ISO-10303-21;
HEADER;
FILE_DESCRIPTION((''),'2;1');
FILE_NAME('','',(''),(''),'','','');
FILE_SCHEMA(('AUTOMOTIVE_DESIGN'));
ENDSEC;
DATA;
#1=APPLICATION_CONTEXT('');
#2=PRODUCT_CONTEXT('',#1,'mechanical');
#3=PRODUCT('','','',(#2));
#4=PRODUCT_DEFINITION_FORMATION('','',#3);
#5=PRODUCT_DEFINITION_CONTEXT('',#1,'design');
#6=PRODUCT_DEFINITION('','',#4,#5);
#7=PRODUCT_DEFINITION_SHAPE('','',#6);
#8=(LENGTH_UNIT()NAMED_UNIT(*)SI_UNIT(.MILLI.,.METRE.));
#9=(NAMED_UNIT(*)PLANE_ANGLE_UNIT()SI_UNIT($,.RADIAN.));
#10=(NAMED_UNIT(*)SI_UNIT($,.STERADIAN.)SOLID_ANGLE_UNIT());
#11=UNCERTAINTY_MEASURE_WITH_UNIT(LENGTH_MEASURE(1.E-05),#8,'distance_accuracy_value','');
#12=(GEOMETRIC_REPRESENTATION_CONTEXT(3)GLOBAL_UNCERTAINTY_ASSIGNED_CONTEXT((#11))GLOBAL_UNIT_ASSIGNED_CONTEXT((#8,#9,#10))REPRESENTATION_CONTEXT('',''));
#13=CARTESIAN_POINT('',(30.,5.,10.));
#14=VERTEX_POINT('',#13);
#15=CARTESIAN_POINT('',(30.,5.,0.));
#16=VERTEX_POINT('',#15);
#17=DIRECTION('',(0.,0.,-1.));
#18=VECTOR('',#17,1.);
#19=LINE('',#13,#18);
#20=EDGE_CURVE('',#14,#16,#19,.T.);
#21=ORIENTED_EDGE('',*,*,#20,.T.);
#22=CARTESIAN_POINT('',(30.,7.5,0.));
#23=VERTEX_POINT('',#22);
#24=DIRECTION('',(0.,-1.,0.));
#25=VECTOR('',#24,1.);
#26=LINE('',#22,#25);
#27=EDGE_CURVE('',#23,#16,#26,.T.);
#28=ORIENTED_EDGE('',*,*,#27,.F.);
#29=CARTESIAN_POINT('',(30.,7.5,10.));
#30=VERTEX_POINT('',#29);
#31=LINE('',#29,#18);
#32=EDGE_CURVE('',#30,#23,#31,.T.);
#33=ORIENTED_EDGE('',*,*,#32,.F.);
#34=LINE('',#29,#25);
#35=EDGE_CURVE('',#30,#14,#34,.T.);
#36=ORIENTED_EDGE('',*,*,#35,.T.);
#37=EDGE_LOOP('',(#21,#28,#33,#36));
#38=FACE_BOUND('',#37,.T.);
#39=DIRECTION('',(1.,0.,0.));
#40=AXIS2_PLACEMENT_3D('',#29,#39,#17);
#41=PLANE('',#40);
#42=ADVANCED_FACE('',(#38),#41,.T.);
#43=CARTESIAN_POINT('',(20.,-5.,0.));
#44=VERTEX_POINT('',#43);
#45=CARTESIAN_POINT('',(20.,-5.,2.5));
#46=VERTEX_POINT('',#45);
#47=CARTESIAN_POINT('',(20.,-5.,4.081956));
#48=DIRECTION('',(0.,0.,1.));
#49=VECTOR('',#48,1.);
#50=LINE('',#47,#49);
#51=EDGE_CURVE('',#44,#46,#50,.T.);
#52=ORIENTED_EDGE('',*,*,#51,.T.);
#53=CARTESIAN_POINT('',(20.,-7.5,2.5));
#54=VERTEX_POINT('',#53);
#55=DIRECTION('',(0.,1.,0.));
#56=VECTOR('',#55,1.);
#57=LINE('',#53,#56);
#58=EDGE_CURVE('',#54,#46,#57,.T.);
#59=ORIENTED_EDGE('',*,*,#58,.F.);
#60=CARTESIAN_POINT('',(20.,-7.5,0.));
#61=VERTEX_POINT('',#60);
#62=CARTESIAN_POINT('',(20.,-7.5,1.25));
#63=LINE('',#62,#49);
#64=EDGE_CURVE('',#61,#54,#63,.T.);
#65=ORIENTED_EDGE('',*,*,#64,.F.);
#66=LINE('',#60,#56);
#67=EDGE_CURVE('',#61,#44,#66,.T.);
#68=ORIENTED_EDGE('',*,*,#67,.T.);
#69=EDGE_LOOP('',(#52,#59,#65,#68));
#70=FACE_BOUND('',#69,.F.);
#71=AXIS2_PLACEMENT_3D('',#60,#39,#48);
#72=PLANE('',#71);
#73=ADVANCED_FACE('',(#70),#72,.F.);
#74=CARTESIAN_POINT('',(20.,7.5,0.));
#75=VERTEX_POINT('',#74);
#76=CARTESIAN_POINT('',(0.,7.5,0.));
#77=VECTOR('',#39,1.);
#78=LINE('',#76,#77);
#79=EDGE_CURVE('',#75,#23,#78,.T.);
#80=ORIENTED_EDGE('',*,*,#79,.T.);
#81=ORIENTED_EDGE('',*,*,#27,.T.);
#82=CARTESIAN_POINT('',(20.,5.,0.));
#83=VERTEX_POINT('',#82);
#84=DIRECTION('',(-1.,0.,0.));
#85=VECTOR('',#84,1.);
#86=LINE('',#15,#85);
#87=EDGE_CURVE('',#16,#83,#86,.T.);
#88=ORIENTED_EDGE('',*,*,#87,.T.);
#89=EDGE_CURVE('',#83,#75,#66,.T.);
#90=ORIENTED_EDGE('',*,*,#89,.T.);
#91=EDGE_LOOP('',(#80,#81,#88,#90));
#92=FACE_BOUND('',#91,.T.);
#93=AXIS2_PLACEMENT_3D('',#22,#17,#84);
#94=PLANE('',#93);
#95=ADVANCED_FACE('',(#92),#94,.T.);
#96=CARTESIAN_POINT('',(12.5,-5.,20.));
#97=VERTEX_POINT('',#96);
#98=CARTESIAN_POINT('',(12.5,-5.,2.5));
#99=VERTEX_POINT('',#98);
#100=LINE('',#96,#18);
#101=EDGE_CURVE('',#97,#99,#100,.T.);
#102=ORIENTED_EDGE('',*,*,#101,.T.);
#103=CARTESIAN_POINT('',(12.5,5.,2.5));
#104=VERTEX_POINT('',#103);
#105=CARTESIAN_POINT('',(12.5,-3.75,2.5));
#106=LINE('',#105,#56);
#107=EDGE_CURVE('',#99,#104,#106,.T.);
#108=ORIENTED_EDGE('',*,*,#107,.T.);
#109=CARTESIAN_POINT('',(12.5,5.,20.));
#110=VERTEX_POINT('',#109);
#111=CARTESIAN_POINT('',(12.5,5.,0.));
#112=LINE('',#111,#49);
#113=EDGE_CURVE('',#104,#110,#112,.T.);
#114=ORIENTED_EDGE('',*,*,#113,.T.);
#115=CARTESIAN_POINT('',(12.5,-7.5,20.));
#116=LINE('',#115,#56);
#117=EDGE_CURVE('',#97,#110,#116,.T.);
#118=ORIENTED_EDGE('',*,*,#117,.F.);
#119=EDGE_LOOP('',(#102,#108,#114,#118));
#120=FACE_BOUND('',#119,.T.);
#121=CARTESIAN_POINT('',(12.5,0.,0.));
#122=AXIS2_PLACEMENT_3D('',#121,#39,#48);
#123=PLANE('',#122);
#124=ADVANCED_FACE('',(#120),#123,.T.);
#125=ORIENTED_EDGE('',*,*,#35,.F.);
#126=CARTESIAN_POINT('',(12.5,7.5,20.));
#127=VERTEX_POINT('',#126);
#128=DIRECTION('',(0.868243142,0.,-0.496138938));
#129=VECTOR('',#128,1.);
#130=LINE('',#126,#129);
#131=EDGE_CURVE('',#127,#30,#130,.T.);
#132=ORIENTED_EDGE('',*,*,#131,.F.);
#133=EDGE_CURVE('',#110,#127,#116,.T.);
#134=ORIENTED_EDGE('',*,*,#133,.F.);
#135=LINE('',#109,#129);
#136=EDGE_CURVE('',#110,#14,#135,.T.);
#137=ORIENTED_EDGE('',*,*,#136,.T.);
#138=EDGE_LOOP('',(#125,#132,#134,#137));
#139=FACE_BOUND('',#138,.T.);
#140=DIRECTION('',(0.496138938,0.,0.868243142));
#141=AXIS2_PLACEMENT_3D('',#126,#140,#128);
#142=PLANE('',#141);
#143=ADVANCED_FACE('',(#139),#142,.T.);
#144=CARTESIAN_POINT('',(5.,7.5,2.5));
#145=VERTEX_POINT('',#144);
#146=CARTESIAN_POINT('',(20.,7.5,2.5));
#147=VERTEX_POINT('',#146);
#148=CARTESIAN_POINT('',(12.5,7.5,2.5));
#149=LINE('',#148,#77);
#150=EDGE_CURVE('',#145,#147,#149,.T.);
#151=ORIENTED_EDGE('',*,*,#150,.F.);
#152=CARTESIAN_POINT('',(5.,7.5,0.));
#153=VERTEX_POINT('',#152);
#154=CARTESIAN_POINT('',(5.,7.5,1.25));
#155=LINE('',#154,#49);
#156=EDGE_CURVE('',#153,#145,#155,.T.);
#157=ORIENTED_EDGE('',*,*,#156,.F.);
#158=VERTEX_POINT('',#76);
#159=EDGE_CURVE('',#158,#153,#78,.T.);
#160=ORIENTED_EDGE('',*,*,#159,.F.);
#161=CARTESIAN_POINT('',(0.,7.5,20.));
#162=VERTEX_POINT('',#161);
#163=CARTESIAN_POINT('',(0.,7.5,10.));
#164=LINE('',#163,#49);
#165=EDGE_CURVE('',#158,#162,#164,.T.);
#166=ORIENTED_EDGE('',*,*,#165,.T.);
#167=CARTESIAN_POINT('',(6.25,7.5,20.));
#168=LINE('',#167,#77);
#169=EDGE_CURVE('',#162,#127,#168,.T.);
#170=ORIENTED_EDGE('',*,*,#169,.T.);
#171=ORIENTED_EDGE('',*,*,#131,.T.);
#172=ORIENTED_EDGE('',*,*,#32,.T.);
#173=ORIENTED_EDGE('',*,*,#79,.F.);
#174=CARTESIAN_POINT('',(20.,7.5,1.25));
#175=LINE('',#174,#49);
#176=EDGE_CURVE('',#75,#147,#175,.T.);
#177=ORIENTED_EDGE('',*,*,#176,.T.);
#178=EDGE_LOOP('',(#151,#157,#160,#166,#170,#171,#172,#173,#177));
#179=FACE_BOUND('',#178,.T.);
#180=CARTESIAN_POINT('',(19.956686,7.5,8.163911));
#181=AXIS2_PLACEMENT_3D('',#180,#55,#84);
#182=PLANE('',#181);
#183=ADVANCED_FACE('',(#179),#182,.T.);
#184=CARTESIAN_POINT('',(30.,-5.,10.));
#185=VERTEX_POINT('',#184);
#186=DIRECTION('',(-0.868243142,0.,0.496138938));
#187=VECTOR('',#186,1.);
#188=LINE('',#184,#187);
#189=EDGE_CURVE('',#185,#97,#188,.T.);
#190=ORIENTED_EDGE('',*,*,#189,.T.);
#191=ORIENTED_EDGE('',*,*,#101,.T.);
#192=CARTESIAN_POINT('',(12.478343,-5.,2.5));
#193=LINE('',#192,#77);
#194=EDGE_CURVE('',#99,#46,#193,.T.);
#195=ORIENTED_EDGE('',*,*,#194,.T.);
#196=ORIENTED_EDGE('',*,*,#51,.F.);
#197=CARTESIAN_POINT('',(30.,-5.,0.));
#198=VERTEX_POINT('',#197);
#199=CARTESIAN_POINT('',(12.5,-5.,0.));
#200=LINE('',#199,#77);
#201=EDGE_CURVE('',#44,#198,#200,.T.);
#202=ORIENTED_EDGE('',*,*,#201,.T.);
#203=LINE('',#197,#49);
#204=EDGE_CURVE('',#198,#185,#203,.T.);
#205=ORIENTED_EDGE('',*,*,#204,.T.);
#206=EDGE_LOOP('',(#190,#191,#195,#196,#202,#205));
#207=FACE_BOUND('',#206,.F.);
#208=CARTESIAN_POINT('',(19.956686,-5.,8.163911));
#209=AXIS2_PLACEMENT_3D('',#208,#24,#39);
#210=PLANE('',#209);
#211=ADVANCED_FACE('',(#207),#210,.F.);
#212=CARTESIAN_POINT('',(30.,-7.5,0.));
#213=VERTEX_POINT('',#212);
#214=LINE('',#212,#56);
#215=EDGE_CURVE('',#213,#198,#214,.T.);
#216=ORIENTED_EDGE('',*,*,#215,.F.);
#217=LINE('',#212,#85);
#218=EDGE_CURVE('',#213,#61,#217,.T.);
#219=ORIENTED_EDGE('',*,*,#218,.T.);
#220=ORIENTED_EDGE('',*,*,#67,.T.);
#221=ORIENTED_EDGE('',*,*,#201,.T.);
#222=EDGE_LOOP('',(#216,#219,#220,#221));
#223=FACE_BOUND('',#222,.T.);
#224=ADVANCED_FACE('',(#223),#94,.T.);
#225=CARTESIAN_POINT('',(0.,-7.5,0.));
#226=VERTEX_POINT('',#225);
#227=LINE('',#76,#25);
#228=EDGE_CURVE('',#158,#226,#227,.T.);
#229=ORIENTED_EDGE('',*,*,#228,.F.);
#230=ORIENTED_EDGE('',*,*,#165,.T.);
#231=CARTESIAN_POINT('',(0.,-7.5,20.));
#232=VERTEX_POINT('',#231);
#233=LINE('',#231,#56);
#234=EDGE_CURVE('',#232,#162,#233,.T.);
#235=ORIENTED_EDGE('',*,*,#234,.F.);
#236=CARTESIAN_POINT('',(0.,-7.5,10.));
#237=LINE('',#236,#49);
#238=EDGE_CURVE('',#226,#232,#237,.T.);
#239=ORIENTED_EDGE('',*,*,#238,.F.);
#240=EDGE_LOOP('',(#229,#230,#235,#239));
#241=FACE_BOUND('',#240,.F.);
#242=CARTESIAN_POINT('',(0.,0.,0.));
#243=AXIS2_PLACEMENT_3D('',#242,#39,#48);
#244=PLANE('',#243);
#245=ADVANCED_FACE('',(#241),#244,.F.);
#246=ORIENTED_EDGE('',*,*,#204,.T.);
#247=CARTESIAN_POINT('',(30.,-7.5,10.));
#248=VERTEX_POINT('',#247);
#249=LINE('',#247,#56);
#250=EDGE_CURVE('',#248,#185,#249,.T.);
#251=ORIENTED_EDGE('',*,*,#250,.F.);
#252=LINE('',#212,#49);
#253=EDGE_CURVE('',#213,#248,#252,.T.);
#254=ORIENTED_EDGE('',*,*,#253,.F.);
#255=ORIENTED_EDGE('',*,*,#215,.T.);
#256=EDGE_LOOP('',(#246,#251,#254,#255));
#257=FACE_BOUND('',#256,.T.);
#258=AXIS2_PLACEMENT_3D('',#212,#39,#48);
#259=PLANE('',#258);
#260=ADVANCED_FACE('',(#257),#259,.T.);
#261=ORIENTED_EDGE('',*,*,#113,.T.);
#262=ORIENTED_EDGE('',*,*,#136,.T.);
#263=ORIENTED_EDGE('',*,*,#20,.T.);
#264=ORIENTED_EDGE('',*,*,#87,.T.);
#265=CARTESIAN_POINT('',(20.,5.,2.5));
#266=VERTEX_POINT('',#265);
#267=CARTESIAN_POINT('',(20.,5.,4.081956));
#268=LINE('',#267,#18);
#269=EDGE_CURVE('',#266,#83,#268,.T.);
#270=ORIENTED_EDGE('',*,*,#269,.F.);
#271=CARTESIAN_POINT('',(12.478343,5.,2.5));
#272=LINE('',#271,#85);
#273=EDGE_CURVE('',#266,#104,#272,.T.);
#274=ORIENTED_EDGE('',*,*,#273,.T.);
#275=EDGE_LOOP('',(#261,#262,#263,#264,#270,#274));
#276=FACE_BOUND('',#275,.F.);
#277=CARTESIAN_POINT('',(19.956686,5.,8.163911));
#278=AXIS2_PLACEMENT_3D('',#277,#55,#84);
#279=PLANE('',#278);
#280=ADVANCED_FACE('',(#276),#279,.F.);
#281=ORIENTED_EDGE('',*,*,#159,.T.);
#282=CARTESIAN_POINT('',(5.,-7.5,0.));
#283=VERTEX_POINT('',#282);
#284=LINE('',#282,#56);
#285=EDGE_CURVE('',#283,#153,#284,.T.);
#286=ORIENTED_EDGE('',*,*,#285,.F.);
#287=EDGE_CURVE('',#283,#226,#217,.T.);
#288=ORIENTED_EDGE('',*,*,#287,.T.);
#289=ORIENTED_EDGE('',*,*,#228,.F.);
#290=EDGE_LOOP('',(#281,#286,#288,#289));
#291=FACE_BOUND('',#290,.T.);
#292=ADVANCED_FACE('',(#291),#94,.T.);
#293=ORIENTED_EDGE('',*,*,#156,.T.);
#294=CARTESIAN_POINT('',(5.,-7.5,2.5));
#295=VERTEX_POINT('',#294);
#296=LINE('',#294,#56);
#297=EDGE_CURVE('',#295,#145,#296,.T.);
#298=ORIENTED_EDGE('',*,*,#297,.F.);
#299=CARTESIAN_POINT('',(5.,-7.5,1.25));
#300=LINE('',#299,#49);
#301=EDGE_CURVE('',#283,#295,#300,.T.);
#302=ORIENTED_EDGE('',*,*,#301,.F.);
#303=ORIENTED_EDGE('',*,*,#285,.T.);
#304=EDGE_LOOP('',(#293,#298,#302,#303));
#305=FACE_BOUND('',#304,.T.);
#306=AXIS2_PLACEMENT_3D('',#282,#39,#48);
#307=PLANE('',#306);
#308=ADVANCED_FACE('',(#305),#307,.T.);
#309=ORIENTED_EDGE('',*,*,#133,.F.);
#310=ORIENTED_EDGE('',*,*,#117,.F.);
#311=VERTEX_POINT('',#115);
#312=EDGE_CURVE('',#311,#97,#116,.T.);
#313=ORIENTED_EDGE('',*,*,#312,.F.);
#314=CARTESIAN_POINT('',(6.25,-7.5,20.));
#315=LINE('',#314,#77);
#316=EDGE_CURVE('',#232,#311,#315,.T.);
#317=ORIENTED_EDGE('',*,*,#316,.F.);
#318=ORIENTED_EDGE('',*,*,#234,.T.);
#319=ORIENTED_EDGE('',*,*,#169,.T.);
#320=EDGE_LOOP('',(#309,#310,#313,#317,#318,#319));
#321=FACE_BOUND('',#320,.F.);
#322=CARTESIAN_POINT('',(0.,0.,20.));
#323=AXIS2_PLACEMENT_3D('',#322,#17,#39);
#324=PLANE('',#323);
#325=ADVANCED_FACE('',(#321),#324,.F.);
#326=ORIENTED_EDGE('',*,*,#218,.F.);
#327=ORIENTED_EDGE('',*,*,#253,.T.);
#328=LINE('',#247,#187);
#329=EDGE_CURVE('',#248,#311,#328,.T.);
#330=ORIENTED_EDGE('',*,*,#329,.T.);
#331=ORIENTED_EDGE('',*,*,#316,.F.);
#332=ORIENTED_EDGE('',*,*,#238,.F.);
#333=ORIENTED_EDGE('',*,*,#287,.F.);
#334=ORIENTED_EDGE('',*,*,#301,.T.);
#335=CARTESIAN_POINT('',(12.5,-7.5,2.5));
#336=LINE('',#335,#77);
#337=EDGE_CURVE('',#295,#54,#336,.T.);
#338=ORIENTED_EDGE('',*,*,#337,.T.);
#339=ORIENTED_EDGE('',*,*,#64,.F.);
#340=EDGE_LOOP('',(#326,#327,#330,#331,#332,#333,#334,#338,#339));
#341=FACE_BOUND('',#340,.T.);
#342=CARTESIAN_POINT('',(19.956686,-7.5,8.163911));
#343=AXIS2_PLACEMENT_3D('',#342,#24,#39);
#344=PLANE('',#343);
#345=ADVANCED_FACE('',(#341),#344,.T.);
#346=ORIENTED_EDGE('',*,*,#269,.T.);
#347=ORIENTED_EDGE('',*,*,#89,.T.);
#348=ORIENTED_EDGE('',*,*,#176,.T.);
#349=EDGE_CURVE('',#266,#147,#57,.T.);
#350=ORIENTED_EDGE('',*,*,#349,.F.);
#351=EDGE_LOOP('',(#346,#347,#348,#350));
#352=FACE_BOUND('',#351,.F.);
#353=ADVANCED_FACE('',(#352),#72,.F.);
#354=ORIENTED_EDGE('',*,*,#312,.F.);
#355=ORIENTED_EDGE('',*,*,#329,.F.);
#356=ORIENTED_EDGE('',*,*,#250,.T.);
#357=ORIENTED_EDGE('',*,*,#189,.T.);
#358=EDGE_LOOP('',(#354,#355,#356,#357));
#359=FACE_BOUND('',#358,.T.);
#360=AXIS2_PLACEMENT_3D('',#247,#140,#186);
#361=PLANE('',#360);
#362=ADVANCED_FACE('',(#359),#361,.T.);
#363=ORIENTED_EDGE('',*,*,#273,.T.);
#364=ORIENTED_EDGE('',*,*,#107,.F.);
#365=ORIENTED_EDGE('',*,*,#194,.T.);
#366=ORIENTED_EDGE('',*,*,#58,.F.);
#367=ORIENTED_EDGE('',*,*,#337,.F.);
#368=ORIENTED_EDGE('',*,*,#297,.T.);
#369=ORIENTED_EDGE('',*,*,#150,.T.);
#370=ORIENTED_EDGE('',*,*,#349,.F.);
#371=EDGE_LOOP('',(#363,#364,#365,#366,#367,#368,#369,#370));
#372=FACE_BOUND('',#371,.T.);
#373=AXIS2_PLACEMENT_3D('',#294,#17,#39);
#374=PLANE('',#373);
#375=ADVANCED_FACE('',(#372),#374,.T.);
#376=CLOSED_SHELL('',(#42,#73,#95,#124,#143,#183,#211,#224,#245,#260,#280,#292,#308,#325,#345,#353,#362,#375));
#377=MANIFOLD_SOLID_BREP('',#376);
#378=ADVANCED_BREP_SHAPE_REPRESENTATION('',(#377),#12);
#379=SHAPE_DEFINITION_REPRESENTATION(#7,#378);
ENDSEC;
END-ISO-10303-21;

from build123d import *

# Parameters (mm, degrees)
F0_W     = 12.5
F0_H     = 20
F1_DEPTH = 7.5
F3_DEPTH = 2.5
F5_DEPTH = 2.5
F6_W     = 15
F6_H     = 2.5
F7_DEPTH = 15


with BuildPart() as f1:
    # F0 (on Front) → F1 (new body, symmetric)
    with BuildSketch(Plane.XZ):
        with Locations((6.25, 10)):
            Rectangle(F0_W, F0_H)
    extrude(amount=F1_DEPTH, both=True)

    # F2 (on face) → F3 (join)
    with BuildSketch(Plane.XZ.offset(7.5)):
        Polygon((12.5, 20), (12.5, 0), (30, 0), (30, 10), align=None)
    extrude(amount=-F3_DEPTH)

    # F4 (on face) → F5 (join)
    with BuildSketch(Plane(origin=(0, 7.5, 0), x_dir=(-1, 0, 0), z_dir=(0, 1, 0))):
        Polygon((-30, 0), (-12.5, 0), (-12.5, 20), (-30, 10), align=None)
    extrude(amount=-F5_DEPTH)

    # F6 (on face) → F7 (cut, through all)
    with BuildSketch(Plane.XZ.offset(7.5)):
        with Locations((12.5, 1.25)):
            Rectangle(F6_W, F6_H)
    extrude(amount=-F7_DEPTH, mode=Mode.SUBTRACT)


solid = f1.part
